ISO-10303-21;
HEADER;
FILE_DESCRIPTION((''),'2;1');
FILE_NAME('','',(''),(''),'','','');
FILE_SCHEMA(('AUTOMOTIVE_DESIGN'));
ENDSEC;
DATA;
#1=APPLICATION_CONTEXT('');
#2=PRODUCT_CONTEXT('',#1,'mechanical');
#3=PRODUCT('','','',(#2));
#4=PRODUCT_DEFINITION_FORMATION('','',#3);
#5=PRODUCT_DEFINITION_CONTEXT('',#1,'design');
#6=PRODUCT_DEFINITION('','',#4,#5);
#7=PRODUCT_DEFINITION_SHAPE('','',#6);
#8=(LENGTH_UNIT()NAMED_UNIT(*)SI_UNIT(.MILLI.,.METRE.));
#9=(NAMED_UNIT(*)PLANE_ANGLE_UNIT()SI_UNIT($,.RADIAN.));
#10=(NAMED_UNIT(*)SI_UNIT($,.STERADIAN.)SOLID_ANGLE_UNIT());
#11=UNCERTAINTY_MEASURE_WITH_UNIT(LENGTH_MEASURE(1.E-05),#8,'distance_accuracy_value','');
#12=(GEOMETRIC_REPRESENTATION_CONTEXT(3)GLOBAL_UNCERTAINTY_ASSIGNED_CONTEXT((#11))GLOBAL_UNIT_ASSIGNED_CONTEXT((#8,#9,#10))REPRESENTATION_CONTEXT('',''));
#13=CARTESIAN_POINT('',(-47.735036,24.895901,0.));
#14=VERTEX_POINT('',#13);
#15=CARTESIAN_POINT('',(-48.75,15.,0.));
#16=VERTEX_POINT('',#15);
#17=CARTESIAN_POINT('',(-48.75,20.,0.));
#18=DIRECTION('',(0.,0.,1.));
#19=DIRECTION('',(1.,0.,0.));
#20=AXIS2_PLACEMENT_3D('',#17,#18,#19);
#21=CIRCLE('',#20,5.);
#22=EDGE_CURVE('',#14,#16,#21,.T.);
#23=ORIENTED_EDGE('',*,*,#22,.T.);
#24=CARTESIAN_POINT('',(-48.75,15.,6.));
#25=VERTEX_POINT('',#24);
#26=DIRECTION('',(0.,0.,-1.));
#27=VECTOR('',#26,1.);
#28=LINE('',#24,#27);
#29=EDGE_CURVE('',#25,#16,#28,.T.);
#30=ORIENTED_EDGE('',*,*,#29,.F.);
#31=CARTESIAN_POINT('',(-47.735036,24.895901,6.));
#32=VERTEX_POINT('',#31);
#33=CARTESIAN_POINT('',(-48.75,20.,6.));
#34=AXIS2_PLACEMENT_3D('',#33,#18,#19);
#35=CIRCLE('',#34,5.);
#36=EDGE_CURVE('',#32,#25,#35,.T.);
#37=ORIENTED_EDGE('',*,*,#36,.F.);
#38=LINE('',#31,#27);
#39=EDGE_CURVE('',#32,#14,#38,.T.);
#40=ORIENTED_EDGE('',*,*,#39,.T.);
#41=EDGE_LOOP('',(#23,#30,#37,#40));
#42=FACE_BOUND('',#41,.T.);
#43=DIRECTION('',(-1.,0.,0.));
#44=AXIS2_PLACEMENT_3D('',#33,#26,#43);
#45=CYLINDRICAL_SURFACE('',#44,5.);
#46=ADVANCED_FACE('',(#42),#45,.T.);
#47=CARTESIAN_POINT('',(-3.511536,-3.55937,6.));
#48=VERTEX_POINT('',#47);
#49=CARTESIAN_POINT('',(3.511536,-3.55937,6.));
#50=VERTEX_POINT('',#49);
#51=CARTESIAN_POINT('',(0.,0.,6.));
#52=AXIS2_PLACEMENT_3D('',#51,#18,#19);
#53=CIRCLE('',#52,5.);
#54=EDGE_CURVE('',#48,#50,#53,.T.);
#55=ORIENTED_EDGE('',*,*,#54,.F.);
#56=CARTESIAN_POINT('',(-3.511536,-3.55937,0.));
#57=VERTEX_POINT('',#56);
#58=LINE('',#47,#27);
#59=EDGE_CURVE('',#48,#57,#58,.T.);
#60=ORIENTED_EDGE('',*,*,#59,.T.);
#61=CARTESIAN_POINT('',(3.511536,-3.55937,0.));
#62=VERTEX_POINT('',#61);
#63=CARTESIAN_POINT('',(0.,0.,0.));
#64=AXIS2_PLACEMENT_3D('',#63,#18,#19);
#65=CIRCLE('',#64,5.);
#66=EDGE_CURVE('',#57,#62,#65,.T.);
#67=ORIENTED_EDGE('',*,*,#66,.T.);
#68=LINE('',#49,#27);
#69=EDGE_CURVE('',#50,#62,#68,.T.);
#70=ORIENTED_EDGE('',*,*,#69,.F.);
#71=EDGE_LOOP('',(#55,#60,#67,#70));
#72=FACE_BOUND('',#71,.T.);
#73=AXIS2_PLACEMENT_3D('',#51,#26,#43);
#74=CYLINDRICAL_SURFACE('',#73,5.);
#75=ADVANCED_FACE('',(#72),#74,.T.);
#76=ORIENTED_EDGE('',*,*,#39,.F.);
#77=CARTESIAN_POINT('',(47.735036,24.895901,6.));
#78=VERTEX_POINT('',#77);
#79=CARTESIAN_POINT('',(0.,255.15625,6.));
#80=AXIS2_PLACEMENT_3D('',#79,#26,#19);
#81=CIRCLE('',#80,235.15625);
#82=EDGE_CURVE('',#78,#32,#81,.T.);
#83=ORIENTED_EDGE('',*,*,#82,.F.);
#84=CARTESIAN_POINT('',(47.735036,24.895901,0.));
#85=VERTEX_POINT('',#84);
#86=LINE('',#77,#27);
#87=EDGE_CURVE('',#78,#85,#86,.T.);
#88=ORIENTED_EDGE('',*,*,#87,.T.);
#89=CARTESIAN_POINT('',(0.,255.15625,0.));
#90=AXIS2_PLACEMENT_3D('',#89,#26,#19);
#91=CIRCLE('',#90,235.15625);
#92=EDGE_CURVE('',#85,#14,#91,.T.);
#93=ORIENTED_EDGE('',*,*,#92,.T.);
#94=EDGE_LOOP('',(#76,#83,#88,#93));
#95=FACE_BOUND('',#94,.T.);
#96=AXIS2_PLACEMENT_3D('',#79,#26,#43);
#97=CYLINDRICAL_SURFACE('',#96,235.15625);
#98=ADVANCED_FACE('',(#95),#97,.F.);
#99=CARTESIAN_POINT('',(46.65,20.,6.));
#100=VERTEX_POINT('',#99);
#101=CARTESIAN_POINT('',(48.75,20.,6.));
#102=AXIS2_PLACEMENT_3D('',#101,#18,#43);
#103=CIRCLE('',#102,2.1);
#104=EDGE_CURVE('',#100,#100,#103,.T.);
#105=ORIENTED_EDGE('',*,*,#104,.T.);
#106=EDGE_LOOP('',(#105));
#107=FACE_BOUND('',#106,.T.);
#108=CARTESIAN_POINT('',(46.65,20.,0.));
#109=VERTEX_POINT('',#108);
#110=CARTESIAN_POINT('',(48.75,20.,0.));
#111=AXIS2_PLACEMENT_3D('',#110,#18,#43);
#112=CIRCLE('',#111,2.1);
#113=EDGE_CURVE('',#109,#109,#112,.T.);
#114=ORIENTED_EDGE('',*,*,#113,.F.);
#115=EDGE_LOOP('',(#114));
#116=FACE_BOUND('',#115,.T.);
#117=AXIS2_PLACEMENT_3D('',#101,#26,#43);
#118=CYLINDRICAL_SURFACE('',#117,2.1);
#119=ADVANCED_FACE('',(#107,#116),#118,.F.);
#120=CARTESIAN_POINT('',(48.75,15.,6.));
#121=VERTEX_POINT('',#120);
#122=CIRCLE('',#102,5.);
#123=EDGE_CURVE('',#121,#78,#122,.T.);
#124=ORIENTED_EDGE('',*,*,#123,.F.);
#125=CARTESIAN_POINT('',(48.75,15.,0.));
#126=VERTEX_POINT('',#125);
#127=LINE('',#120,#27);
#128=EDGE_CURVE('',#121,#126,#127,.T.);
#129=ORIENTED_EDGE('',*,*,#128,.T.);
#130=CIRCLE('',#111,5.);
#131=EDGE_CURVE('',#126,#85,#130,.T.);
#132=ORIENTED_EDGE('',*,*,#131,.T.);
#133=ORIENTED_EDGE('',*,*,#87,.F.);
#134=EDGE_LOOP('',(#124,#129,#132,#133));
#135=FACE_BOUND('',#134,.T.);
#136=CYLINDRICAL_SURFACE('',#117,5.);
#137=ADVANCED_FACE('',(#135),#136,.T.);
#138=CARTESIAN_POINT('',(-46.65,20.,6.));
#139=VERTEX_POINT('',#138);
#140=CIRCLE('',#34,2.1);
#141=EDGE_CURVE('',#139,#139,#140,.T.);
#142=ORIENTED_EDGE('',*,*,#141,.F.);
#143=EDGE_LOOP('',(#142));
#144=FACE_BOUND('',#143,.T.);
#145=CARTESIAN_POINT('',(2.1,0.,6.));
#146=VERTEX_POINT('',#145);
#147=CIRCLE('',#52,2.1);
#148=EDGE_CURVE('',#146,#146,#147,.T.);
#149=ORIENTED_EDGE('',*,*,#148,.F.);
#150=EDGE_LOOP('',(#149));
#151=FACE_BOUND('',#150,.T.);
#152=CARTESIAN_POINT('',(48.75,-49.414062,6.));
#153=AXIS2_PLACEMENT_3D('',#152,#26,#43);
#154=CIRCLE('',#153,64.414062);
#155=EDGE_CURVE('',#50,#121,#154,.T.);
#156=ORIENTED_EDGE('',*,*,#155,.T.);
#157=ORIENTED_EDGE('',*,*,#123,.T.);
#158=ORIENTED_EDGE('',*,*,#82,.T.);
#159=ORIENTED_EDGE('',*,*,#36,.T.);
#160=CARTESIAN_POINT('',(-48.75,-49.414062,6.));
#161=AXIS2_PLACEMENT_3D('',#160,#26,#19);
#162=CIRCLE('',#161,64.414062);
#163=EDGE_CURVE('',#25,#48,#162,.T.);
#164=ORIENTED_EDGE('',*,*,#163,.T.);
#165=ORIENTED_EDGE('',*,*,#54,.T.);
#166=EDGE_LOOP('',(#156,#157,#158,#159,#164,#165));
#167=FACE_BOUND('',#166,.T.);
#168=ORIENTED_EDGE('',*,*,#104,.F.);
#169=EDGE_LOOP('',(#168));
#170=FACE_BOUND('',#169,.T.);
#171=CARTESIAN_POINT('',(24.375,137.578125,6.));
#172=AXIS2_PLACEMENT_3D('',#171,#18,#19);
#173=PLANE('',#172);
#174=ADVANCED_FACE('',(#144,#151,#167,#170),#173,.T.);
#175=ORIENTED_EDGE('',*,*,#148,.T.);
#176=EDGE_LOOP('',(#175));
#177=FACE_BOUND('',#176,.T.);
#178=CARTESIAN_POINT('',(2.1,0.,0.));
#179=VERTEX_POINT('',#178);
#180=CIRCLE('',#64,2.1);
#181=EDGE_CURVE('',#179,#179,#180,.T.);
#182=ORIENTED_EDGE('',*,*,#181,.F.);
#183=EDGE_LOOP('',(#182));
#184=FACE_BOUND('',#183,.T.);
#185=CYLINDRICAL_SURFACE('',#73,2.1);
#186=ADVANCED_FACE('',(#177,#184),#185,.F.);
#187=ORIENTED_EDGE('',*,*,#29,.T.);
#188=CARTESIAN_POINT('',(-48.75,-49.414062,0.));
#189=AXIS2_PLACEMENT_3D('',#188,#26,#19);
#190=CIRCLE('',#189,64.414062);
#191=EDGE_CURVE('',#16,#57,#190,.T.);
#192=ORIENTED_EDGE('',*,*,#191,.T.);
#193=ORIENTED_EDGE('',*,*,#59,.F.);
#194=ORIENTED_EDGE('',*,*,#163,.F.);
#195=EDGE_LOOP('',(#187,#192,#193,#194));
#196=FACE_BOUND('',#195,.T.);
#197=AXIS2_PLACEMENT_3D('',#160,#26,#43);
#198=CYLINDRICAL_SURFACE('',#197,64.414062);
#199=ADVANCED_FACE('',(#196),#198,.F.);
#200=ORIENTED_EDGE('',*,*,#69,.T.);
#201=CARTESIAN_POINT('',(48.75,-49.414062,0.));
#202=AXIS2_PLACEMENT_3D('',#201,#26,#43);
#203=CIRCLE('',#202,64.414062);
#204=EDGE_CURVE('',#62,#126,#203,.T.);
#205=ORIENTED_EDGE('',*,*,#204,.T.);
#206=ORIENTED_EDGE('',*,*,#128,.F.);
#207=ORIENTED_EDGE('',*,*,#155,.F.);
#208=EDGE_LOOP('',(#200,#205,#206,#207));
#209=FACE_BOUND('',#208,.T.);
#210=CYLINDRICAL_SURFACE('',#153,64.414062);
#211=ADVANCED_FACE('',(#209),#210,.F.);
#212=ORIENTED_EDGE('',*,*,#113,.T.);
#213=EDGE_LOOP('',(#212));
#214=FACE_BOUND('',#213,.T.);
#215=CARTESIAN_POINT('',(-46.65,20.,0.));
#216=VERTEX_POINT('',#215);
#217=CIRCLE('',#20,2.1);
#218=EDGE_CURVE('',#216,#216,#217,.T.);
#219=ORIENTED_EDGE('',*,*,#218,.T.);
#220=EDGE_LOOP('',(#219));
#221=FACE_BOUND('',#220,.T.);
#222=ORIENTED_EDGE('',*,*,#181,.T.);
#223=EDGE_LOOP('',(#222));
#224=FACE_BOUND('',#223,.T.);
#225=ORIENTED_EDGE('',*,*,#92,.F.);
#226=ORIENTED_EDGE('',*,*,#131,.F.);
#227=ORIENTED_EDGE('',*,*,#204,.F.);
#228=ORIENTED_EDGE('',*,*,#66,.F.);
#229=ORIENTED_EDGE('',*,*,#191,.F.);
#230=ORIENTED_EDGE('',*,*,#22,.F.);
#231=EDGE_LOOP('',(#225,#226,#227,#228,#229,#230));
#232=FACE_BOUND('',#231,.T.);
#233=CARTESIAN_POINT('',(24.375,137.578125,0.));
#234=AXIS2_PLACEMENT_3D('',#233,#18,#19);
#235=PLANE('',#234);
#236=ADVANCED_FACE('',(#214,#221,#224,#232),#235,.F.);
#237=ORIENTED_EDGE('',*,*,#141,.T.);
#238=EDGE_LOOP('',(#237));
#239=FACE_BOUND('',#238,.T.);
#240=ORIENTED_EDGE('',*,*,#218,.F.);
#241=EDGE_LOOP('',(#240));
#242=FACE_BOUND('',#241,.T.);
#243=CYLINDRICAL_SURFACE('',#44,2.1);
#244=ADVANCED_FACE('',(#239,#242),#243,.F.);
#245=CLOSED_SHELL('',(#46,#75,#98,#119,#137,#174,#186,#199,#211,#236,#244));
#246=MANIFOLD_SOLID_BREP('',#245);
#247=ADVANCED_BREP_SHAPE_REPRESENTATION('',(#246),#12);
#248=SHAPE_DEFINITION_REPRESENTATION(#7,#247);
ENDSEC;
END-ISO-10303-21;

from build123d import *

# Parameters (mm, degrees)
SKETCH1_R           = 2.1
BOSS_EXTRUDE1_DEPTH = 6


with BuildPart() as part:
    # Sketch1 → Boss-Extrude1 (new body)
    with BuildSketch(Plane.XY):
        with BuildLine():
            ThreePointArc((3.511536297, -3.559369724), (24.301233146, 10.179806707), (48.75, 15))
            ThreePointArc((48.75, 15), (53.723907193, 20.510144327), (47.735035784, 24.895901106))
            ThreePointArc((47.735035784, 24.895901106), (0, 20), (-47.735035784, 24.895901106))
            ThreePointArc((-47.735035784, 24.895901106), (-53.723907193, 20.510144327), (-48.75, 15))
            ThreePointArc((-48.75, 15), (-24.301233146, 10.179806707), (-3.511536297, -3.559369724))
            ThreePointArc((-3.511536297, -3.559369724), (0, -5), (3.511536297, -3.559369724))
        make_face()
        Circle(SKETCH1_R, mode=Mode.SUBTRACT)
        with Locations((-48.75, 20)):
            Circle(SKETCH1_R, mode=Mode.SUBTRACT)
        with Locations((48.75, 20)):
            Circle(SKETCH1_R, mode=Mode.SUBTRACT)
    extrude(amount=BOSS_EXTRUDE1_DEPTH)


solid = part.part
